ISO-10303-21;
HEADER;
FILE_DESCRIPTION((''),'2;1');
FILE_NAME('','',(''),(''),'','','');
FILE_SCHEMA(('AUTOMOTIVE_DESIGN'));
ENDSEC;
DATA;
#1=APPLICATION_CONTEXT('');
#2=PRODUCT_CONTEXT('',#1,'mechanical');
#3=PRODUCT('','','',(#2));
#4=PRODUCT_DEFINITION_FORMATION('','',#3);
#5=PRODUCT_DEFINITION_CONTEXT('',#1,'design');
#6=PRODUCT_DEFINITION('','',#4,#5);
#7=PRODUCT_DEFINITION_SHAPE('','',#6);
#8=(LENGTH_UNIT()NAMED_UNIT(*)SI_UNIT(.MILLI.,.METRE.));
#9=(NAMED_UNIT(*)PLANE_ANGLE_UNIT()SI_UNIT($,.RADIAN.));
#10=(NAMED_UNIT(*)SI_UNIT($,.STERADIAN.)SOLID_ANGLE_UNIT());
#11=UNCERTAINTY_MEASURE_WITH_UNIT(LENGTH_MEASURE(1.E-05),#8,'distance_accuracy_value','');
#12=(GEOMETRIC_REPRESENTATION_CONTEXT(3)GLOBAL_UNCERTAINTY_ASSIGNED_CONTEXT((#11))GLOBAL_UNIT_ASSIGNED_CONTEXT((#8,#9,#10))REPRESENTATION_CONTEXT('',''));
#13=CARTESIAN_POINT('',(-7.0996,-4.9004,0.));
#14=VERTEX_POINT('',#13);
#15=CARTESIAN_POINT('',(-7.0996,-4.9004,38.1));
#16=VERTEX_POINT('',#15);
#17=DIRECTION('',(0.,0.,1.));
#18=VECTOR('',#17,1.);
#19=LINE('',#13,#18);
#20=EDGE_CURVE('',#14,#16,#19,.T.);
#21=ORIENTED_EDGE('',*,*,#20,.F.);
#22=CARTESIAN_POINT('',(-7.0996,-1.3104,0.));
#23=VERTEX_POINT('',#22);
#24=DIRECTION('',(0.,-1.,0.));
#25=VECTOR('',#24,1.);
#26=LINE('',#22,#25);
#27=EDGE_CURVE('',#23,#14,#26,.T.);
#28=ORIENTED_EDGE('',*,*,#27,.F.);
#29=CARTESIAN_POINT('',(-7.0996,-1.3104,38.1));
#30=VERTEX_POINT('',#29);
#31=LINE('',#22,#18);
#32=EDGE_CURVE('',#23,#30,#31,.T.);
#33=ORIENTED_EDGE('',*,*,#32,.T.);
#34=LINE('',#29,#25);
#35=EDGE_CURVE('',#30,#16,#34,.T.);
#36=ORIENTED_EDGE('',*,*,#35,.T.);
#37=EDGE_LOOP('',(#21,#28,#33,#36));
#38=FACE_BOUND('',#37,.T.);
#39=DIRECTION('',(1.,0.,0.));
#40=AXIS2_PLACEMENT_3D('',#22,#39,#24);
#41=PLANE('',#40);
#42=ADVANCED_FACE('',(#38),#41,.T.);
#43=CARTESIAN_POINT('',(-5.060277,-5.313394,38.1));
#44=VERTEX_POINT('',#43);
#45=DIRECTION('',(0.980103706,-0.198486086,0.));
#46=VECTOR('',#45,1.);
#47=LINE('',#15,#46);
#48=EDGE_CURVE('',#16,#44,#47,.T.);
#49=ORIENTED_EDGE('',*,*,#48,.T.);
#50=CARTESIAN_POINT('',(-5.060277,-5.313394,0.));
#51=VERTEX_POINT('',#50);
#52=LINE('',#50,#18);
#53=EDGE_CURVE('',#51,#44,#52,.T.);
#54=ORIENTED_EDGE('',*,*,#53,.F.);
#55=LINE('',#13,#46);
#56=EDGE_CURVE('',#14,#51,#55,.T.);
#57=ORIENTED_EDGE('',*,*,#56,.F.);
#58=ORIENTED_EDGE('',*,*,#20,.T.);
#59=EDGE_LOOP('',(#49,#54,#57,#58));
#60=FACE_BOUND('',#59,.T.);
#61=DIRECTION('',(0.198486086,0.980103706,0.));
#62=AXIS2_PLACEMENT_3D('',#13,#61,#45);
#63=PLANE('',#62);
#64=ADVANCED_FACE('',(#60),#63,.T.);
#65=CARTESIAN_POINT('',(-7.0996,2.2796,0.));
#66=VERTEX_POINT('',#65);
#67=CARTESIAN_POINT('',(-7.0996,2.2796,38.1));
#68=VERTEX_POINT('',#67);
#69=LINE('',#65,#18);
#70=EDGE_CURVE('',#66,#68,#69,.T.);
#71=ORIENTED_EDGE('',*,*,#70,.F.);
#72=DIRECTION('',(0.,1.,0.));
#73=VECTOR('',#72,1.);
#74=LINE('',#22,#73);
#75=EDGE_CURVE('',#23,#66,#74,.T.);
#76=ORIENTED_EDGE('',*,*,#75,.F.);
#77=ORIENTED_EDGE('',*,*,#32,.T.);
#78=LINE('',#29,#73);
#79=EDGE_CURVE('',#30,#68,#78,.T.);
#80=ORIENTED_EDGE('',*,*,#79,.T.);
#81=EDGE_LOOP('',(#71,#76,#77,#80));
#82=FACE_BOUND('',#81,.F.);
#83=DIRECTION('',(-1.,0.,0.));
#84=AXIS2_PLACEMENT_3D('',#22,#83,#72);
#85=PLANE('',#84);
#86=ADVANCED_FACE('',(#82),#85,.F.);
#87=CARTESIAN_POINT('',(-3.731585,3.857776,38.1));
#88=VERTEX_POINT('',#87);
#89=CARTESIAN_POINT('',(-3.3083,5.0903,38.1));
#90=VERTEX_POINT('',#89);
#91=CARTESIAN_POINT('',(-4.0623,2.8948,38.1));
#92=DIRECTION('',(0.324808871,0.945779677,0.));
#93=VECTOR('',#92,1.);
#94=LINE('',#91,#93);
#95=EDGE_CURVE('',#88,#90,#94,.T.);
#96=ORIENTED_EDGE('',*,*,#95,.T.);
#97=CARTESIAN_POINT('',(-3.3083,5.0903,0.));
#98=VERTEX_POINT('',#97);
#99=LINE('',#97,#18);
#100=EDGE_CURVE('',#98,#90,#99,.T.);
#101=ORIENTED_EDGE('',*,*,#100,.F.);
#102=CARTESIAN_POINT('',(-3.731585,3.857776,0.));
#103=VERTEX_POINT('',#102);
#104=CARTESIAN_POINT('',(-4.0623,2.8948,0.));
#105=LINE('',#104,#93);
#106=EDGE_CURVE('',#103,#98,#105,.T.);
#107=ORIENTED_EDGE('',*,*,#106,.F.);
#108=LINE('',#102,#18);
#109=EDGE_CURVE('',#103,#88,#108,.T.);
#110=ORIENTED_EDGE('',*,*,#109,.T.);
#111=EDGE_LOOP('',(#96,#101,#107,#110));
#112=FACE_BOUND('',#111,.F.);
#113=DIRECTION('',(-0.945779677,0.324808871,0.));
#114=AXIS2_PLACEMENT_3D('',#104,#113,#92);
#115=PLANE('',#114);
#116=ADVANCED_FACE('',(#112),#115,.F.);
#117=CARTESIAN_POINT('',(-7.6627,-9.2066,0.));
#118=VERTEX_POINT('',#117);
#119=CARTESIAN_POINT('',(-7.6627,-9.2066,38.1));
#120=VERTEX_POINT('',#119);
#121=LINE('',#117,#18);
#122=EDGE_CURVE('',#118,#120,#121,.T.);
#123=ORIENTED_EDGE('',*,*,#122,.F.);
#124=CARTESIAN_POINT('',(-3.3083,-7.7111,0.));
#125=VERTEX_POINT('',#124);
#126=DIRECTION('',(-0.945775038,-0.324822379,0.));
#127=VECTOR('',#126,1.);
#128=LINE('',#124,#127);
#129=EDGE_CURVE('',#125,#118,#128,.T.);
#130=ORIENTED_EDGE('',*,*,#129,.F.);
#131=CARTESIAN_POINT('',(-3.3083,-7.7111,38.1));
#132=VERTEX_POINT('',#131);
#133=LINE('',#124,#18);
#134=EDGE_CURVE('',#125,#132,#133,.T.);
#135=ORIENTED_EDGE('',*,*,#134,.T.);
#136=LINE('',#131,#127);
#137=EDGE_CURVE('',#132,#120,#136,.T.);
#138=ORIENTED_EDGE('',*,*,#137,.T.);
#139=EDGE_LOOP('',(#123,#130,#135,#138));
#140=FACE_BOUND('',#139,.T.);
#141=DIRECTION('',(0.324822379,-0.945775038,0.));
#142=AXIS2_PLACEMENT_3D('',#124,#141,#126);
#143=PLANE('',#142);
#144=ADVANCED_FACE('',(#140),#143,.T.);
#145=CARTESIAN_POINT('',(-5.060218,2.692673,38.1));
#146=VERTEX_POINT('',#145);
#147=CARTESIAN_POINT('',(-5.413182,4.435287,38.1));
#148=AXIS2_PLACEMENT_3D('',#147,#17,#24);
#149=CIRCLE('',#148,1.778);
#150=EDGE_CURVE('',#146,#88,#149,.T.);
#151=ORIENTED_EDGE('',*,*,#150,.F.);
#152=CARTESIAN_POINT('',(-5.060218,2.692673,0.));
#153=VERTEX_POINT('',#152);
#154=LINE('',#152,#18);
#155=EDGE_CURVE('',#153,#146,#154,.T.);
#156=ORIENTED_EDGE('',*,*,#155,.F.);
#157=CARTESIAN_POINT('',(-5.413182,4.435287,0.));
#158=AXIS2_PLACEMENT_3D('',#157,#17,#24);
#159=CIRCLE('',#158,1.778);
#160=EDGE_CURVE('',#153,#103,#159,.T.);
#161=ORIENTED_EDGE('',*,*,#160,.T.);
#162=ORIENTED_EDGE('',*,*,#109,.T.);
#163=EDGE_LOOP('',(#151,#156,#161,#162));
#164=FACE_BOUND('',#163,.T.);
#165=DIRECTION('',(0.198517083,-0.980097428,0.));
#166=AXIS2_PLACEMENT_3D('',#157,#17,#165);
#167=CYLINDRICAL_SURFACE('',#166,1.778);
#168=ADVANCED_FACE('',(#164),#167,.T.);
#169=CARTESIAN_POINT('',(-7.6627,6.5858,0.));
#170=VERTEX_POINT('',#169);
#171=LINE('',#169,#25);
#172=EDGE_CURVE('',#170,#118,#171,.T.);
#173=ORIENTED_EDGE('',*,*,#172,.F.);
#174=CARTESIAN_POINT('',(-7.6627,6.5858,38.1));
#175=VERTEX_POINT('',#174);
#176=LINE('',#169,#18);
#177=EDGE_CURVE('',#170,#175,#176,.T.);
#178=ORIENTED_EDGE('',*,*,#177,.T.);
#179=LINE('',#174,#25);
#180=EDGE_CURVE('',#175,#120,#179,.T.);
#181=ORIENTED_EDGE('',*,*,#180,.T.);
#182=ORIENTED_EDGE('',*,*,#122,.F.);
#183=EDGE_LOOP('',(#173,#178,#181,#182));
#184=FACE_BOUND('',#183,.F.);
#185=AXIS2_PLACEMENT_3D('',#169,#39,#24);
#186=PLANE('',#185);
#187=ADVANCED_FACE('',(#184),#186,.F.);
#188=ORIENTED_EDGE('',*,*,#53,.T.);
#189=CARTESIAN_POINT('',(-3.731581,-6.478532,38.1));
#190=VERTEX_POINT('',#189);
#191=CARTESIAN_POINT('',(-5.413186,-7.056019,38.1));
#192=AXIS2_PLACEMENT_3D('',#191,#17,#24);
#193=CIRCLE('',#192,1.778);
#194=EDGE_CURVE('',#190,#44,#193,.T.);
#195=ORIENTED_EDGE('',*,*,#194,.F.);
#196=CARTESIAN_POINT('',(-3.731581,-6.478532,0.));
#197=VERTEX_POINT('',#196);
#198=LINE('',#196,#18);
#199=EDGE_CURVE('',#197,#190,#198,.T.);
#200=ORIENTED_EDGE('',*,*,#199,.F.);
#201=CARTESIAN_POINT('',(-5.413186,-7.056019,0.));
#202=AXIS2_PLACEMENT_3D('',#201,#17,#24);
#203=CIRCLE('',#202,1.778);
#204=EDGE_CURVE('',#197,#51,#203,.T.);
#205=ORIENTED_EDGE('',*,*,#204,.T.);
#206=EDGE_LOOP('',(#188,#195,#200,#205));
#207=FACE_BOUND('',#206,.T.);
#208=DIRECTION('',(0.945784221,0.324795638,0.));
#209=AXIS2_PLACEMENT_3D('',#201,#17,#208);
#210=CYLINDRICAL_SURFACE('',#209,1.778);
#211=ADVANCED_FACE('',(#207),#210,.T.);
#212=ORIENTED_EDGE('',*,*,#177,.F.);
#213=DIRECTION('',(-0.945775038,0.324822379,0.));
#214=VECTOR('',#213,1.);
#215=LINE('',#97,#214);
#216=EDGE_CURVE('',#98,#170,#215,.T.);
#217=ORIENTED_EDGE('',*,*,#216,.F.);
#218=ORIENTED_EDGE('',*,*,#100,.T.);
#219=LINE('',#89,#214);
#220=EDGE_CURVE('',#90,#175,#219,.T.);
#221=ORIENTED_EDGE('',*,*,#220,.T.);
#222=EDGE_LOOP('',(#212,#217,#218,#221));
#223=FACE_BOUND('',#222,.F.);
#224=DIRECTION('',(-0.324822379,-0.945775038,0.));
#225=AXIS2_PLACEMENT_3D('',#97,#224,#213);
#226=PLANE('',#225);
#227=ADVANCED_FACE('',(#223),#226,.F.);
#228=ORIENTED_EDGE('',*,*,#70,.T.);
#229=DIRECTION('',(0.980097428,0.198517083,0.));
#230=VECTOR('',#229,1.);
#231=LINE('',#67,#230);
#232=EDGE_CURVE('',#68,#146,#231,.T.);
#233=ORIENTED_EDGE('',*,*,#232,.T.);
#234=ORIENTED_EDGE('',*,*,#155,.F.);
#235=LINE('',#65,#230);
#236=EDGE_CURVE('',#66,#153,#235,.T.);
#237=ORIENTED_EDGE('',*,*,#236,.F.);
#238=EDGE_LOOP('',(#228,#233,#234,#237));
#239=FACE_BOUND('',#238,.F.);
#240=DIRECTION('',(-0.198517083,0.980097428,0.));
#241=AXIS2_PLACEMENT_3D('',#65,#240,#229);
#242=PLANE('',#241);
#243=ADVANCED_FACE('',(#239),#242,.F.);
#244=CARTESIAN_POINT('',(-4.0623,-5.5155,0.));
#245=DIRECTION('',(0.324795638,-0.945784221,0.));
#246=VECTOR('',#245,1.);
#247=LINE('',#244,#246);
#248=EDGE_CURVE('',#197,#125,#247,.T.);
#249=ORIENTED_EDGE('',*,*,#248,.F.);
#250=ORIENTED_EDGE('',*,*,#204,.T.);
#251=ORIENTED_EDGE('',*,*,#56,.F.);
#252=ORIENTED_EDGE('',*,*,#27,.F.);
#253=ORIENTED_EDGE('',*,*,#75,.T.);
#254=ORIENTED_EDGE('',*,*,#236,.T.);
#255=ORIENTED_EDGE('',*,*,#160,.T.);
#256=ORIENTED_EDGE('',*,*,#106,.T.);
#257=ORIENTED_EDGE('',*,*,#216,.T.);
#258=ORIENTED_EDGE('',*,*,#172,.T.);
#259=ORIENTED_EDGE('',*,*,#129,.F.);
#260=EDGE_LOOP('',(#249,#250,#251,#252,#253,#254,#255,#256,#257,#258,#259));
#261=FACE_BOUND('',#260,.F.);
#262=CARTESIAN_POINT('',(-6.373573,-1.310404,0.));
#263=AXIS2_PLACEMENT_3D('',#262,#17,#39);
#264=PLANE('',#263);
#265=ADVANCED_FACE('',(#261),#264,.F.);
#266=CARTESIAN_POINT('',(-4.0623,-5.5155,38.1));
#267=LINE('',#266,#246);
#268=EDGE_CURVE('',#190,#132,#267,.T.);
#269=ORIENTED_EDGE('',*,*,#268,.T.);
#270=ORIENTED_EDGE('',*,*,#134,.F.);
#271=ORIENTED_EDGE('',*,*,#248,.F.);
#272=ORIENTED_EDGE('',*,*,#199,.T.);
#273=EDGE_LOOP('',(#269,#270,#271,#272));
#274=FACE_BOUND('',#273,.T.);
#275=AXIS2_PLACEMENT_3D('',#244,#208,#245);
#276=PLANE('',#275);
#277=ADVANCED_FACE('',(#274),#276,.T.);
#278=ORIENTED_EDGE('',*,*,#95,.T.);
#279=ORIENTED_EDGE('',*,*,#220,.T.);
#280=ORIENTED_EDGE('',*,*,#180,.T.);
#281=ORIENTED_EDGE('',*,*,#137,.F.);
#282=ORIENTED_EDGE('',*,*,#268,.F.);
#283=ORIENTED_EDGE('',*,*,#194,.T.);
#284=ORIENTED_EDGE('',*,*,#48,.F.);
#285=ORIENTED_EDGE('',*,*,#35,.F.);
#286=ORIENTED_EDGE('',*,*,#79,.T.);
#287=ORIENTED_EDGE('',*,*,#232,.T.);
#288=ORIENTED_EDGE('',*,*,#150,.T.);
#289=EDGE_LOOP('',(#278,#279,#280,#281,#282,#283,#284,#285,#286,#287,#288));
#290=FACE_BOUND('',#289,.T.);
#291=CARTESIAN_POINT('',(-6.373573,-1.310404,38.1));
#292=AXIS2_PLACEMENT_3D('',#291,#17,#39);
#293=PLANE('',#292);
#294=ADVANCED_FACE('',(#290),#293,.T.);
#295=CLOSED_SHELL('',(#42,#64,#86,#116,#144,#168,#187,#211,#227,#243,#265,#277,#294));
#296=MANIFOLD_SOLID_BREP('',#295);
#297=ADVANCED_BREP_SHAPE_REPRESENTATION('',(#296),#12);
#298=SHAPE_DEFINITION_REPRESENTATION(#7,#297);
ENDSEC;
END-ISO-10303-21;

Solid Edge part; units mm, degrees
sketch "Sketch1" plane through (0, 0, 0) normal (0, 0, 1) x (1, 0, 0)
  line L0 (-7.6627, 6.5858) -> (-7.6627, -9.2066)
  line L1 (-3.3083, -7.7111) -> (-7.6627, -9.2066)
  line L2 (-4.0623, -5.5155) -> (-3.3083, -7.7111)
  line L3 (-7.0996, -4.9004) -> (-4.0623, -5.5155)
  line L4 (-7.0996, -1.3104) -> (-7.0996, -4.9004)
  line L5 (-7.0996, -1.3104) -> (-7.0996, 2.2796)
  line L6 (-7.0996, 2.2796) -> (-4.0623, 2.8948)
  line L7 (-4.0623, 2.8948) -> (-3.3083, 5.0903)
  line L8 (-3.3083, 5.0903) -> (-7.6627, 6.5858)
extrude "Protrusion1" add sketch "Sketch1" along normal blind 38.1
fillet "Round_1" radius 1.778 2 edges at (-4.0623, -5.5155, 19.05) (-4.0623, 2.8948, 19.05)
